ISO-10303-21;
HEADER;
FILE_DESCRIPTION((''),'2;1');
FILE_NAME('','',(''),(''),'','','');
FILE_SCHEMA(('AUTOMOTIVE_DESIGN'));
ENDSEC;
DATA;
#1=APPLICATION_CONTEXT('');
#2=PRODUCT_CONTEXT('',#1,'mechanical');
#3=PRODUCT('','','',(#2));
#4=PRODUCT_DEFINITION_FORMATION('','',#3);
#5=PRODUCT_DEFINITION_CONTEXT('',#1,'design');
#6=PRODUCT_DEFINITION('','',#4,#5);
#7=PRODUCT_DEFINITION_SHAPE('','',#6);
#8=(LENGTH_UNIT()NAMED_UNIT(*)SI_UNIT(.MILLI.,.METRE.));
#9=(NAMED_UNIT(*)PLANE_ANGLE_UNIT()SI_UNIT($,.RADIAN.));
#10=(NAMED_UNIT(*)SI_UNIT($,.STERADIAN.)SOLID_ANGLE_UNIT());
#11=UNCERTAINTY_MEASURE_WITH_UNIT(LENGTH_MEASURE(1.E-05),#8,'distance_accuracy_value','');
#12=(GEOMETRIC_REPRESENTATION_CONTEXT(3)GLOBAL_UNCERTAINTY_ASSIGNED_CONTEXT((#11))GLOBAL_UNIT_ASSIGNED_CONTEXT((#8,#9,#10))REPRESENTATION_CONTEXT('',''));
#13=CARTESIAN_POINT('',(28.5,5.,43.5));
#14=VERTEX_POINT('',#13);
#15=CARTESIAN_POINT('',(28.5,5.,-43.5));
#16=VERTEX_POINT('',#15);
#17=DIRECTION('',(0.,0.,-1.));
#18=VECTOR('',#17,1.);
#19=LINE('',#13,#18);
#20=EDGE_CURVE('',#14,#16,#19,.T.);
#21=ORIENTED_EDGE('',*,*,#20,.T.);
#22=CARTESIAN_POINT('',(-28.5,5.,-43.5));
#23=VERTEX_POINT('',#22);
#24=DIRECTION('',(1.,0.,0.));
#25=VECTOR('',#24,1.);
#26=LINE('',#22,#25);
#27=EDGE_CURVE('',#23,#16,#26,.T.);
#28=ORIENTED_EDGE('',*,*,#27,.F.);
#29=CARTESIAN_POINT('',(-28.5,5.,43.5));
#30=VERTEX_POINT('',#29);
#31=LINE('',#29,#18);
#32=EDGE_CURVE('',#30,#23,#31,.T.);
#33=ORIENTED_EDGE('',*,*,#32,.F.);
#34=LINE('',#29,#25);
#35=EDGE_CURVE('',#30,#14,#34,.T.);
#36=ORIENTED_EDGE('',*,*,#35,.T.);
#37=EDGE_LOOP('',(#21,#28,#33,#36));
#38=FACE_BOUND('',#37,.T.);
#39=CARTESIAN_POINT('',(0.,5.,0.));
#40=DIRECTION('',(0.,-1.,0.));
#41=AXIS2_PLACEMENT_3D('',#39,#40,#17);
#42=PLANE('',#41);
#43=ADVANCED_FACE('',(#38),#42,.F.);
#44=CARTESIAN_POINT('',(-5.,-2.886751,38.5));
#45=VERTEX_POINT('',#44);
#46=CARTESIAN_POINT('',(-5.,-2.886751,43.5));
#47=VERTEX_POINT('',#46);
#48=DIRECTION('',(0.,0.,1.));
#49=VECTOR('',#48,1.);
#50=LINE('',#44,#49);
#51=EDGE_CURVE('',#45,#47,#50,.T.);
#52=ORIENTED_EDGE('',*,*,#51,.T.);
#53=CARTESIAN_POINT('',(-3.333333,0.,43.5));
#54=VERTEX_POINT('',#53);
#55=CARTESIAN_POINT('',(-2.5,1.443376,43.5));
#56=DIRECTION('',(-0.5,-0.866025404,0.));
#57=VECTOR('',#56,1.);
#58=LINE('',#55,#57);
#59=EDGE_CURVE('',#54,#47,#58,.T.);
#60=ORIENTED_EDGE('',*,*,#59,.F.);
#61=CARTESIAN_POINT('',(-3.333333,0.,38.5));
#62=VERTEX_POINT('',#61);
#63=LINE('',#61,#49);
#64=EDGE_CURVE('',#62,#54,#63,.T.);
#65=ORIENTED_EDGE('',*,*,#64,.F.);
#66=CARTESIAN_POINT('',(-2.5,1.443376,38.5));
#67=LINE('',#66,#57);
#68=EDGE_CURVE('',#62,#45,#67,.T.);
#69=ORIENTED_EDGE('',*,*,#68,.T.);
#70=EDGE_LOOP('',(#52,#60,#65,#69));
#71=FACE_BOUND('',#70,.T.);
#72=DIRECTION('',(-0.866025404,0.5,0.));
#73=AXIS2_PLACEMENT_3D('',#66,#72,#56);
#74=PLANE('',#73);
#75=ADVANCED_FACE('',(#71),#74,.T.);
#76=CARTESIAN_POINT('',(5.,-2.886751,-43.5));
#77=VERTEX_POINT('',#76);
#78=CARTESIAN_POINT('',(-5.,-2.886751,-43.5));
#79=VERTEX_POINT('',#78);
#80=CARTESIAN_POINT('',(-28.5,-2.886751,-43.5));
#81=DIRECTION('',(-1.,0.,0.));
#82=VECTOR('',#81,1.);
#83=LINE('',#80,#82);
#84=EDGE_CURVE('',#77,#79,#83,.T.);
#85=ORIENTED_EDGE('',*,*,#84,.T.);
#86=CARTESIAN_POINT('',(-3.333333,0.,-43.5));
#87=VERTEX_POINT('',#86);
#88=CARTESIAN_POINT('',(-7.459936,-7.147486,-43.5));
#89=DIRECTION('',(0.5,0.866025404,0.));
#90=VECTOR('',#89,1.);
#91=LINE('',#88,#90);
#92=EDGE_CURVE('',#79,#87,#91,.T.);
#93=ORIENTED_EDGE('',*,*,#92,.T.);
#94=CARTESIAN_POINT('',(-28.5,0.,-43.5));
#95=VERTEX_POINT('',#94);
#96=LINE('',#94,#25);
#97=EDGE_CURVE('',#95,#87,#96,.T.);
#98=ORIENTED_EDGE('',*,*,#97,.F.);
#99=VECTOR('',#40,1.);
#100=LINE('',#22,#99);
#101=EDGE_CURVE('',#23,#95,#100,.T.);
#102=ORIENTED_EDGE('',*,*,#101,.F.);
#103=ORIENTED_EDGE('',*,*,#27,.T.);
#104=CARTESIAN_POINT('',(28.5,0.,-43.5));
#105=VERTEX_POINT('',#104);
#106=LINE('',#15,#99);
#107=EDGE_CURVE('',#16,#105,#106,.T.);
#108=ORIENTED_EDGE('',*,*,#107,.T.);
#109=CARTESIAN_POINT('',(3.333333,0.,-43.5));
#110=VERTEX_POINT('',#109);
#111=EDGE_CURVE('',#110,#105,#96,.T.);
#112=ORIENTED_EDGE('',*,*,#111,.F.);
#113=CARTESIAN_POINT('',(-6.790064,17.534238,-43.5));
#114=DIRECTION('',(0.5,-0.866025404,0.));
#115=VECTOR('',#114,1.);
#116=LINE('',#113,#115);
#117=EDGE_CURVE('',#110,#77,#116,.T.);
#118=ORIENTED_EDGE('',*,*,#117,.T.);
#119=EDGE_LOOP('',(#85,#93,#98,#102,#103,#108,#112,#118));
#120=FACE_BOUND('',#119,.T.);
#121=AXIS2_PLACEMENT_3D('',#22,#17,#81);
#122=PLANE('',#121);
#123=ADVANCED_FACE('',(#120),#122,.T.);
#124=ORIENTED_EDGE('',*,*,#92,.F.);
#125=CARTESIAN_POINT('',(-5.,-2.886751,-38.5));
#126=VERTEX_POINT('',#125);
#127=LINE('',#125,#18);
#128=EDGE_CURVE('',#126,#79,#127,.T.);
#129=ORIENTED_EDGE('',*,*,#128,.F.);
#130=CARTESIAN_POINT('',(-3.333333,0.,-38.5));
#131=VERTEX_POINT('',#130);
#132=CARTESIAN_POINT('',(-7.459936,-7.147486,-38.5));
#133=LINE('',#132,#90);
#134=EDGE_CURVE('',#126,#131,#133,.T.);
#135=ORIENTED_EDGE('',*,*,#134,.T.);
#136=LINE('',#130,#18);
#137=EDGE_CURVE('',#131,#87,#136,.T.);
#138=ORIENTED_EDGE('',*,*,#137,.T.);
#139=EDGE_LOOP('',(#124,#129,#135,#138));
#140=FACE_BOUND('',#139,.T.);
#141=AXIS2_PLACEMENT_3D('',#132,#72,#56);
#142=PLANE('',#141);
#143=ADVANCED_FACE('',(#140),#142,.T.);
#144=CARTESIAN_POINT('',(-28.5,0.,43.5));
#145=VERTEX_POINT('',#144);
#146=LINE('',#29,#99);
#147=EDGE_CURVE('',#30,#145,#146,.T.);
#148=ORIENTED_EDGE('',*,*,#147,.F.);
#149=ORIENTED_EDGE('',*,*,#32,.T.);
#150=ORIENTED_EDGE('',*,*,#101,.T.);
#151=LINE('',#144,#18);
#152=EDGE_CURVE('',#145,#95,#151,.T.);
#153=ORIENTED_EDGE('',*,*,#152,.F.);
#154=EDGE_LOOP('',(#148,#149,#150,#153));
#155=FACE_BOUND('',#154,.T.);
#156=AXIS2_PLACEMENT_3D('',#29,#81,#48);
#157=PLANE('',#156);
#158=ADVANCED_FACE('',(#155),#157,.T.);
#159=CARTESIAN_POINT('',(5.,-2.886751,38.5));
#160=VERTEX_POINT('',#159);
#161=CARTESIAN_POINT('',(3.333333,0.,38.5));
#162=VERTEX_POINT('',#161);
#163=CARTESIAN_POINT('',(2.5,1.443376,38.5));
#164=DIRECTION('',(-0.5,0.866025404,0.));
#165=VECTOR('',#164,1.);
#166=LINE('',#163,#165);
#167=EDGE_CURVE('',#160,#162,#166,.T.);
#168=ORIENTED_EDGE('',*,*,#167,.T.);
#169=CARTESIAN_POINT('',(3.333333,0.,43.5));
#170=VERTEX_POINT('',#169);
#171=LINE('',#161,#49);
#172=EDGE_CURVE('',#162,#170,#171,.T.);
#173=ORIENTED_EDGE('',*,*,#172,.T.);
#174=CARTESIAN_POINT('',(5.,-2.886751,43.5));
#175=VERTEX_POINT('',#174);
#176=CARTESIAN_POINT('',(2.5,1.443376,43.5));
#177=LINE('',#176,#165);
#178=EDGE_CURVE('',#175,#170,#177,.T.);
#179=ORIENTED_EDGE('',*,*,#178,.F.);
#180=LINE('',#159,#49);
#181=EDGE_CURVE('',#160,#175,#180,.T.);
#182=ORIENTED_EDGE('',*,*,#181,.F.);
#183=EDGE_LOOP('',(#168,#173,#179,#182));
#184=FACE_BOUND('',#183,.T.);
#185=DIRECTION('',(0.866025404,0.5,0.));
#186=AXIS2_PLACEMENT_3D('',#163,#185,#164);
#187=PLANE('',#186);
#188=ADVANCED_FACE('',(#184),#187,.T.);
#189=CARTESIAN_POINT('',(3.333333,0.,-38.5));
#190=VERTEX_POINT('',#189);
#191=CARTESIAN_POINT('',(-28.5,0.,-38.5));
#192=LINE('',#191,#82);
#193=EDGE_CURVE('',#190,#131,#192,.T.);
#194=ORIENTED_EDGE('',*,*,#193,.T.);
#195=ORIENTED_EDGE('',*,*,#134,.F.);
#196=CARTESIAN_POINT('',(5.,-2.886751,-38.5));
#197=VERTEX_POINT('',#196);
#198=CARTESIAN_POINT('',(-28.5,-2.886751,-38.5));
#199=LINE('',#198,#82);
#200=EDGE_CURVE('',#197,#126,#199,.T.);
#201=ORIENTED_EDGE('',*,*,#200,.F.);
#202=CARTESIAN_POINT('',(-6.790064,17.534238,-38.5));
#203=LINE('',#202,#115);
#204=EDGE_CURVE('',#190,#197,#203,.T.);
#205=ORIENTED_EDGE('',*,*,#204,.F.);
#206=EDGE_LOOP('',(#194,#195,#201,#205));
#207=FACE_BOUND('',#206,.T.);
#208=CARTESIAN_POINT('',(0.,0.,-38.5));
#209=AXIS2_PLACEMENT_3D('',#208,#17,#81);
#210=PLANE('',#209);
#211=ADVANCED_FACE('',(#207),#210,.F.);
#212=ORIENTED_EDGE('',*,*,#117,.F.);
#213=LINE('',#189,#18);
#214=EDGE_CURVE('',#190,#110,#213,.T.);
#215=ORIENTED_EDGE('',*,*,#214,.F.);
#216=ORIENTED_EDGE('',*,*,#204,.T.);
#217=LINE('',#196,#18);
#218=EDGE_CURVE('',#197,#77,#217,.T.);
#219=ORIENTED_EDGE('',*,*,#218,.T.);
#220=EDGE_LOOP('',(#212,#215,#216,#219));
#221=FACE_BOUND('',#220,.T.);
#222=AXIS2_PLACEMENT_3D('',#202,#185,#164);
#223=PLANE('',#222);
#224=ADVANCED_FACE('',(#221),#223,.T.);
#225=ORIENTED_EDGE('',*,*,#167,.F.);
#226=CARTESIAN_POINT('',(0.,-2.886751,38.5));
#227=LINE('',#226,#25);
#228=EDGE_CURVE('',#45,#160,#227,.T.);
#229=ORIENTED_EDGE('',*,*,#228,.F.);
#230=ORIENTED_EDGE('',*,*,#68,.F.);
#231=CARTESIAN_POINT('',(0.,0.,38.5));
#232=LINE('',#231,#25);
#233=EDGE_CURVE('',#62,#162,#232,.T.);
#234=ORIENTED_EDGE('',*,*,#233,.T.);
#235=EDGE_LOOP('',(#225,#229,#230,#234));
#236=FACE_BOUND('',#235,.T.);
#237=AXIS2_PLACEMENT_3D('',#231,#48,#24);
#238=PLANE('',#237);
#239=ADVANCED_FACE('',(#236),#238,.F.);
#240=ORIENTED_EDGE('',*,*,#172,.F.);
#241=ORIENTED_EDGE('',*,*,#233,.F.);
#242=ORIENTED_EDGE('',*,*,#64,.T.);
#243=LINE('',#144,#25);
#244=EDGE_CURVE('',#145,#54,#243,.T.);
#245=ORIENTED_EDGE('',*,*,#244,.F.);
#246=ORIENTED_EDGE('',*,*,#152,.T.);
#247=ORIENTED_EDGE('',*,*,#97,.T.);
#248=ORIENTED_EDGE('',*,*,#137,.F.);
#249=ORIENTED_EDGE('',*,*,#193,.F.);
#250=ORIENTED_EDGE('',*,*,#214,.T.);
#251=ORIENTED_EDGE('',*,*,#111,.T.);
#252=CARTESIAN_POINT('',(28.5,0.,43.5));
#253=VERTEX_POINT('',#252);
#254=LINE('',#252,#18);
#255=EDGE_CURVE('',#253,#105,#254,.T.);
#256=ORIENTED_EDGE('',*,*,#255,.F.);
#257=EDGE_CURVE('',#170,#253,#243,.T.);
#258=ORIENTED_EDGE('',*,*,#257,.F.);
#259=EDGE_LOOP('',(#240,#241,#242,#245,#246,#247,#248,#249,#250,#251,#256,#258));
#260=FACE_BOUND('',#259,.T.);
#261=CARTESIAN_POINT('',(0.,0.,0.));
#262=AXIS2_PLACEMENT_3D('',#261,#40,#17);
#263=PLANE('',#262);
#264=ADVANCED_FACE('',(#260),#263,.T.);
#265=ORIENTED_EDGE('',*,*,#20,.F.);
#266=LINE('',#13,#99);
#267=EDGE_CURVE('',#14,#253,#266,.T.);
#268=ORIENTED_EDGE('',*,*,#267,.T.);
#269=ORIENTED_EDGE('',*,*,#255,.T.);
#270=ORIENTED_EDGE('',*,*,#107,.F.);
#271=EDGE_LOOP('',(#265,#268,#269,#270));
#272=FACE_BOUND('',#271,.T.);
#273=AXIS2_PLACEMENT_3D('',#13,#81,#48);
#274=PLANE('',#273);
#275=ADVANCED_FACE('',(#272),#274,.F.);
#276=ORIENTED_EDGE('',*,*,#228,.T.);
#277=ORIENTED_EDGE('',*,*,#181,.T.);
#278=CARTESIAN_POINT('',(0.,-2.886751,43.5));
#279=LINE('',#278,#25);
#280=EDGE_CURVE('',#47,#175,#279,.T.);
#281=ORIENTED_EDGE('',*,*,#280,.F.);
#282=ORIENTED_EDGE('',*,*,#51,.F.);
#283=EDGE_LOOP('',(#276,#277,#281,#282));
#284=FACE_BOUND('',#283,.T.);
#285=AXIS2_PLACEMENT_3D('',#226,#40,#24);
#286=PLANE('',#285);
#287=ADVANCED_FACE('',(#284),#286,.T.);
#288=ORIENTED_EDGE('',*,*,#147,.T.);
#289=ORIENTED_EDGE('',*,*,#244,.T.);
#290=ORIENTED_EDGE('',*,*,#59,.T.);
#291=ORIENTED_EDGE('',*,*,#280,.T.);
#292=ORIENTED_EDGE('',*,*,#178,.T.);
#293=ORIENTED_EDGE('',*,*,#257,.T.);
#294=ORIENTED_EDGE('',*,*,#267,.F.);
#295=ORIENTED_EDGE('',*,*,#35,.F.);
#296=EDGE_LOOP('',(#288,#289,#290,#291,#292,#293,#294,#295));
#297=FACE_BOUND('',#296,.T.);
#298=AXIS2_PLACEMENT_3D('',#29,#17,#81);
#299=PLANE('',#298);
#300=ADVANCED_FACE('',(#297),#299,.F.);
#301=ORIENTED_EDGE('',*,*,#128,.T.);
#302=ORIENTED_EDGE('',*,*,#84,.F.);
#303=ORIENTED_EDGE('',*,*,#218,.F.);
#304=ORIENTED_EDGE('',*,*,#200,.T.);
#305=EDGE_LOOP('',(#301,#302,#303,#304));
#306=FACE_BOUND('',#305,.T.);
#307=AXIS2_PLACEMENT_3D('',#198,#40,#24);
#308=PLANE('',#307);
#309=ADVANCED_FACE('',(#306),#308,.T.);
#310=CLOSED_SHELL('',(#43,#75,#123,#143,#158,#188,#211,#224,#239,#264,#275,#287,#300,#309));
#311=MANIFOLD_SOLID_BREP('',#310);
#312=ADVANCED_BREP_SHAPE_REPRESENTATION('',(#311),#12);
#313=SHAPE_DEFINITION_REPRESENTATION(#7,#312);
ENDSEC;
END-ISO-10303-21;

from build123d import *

# Parameters (mm, degrees)
SKETCH1_W           = 57
SKETCH1_H           = 87
BOSS_EXTRUDE1_DEPTH = 5
BOSS_EXTRUDE2_DEPTH = 5
BOSS_EXTRUDE3_START = -87
BOSS_EXTRUDE3_DEPTH = 5


with BuildPart() as part:
    # Sketch1 → Boss-Extrude1 (new body)
    with BuildSketch(Plane(origin=(0, 0, 0), x_dir=(1, 0, 0), z_dir=(0, 1, 0))):
        Rectangle(SKETCH1_W, SKETCH1_H)
    extrude(amount=BOSS_EXTRUDE1_DEPTH)

    # Sketch2 → Boss-Extrude2 (add)
    with BuildSketch(Plane.XY.offset(43.5)):
        Polygon((3.333333333, 0), (-3.333333333, 0), (-5, -2.886751346), (5, -2.886751346), align=None)
    extrude(amount=-BOSS_EXTRUDE2_DEPTH)

    # Sketch2<3> → Boss-Extrude3 (add)
    with BuildSketch(Plane.XY.offset(43.5).offset(BOSS_EXTRUDE3_START)):
        Polygon((3.333333333, 0), (-3.333333333, 0), (-5, -2.886751346), (5, -2.886751346), align=None)
    extrude(amount=BOSS_EXTRUDE3_DEPTH)


solid = part.part
